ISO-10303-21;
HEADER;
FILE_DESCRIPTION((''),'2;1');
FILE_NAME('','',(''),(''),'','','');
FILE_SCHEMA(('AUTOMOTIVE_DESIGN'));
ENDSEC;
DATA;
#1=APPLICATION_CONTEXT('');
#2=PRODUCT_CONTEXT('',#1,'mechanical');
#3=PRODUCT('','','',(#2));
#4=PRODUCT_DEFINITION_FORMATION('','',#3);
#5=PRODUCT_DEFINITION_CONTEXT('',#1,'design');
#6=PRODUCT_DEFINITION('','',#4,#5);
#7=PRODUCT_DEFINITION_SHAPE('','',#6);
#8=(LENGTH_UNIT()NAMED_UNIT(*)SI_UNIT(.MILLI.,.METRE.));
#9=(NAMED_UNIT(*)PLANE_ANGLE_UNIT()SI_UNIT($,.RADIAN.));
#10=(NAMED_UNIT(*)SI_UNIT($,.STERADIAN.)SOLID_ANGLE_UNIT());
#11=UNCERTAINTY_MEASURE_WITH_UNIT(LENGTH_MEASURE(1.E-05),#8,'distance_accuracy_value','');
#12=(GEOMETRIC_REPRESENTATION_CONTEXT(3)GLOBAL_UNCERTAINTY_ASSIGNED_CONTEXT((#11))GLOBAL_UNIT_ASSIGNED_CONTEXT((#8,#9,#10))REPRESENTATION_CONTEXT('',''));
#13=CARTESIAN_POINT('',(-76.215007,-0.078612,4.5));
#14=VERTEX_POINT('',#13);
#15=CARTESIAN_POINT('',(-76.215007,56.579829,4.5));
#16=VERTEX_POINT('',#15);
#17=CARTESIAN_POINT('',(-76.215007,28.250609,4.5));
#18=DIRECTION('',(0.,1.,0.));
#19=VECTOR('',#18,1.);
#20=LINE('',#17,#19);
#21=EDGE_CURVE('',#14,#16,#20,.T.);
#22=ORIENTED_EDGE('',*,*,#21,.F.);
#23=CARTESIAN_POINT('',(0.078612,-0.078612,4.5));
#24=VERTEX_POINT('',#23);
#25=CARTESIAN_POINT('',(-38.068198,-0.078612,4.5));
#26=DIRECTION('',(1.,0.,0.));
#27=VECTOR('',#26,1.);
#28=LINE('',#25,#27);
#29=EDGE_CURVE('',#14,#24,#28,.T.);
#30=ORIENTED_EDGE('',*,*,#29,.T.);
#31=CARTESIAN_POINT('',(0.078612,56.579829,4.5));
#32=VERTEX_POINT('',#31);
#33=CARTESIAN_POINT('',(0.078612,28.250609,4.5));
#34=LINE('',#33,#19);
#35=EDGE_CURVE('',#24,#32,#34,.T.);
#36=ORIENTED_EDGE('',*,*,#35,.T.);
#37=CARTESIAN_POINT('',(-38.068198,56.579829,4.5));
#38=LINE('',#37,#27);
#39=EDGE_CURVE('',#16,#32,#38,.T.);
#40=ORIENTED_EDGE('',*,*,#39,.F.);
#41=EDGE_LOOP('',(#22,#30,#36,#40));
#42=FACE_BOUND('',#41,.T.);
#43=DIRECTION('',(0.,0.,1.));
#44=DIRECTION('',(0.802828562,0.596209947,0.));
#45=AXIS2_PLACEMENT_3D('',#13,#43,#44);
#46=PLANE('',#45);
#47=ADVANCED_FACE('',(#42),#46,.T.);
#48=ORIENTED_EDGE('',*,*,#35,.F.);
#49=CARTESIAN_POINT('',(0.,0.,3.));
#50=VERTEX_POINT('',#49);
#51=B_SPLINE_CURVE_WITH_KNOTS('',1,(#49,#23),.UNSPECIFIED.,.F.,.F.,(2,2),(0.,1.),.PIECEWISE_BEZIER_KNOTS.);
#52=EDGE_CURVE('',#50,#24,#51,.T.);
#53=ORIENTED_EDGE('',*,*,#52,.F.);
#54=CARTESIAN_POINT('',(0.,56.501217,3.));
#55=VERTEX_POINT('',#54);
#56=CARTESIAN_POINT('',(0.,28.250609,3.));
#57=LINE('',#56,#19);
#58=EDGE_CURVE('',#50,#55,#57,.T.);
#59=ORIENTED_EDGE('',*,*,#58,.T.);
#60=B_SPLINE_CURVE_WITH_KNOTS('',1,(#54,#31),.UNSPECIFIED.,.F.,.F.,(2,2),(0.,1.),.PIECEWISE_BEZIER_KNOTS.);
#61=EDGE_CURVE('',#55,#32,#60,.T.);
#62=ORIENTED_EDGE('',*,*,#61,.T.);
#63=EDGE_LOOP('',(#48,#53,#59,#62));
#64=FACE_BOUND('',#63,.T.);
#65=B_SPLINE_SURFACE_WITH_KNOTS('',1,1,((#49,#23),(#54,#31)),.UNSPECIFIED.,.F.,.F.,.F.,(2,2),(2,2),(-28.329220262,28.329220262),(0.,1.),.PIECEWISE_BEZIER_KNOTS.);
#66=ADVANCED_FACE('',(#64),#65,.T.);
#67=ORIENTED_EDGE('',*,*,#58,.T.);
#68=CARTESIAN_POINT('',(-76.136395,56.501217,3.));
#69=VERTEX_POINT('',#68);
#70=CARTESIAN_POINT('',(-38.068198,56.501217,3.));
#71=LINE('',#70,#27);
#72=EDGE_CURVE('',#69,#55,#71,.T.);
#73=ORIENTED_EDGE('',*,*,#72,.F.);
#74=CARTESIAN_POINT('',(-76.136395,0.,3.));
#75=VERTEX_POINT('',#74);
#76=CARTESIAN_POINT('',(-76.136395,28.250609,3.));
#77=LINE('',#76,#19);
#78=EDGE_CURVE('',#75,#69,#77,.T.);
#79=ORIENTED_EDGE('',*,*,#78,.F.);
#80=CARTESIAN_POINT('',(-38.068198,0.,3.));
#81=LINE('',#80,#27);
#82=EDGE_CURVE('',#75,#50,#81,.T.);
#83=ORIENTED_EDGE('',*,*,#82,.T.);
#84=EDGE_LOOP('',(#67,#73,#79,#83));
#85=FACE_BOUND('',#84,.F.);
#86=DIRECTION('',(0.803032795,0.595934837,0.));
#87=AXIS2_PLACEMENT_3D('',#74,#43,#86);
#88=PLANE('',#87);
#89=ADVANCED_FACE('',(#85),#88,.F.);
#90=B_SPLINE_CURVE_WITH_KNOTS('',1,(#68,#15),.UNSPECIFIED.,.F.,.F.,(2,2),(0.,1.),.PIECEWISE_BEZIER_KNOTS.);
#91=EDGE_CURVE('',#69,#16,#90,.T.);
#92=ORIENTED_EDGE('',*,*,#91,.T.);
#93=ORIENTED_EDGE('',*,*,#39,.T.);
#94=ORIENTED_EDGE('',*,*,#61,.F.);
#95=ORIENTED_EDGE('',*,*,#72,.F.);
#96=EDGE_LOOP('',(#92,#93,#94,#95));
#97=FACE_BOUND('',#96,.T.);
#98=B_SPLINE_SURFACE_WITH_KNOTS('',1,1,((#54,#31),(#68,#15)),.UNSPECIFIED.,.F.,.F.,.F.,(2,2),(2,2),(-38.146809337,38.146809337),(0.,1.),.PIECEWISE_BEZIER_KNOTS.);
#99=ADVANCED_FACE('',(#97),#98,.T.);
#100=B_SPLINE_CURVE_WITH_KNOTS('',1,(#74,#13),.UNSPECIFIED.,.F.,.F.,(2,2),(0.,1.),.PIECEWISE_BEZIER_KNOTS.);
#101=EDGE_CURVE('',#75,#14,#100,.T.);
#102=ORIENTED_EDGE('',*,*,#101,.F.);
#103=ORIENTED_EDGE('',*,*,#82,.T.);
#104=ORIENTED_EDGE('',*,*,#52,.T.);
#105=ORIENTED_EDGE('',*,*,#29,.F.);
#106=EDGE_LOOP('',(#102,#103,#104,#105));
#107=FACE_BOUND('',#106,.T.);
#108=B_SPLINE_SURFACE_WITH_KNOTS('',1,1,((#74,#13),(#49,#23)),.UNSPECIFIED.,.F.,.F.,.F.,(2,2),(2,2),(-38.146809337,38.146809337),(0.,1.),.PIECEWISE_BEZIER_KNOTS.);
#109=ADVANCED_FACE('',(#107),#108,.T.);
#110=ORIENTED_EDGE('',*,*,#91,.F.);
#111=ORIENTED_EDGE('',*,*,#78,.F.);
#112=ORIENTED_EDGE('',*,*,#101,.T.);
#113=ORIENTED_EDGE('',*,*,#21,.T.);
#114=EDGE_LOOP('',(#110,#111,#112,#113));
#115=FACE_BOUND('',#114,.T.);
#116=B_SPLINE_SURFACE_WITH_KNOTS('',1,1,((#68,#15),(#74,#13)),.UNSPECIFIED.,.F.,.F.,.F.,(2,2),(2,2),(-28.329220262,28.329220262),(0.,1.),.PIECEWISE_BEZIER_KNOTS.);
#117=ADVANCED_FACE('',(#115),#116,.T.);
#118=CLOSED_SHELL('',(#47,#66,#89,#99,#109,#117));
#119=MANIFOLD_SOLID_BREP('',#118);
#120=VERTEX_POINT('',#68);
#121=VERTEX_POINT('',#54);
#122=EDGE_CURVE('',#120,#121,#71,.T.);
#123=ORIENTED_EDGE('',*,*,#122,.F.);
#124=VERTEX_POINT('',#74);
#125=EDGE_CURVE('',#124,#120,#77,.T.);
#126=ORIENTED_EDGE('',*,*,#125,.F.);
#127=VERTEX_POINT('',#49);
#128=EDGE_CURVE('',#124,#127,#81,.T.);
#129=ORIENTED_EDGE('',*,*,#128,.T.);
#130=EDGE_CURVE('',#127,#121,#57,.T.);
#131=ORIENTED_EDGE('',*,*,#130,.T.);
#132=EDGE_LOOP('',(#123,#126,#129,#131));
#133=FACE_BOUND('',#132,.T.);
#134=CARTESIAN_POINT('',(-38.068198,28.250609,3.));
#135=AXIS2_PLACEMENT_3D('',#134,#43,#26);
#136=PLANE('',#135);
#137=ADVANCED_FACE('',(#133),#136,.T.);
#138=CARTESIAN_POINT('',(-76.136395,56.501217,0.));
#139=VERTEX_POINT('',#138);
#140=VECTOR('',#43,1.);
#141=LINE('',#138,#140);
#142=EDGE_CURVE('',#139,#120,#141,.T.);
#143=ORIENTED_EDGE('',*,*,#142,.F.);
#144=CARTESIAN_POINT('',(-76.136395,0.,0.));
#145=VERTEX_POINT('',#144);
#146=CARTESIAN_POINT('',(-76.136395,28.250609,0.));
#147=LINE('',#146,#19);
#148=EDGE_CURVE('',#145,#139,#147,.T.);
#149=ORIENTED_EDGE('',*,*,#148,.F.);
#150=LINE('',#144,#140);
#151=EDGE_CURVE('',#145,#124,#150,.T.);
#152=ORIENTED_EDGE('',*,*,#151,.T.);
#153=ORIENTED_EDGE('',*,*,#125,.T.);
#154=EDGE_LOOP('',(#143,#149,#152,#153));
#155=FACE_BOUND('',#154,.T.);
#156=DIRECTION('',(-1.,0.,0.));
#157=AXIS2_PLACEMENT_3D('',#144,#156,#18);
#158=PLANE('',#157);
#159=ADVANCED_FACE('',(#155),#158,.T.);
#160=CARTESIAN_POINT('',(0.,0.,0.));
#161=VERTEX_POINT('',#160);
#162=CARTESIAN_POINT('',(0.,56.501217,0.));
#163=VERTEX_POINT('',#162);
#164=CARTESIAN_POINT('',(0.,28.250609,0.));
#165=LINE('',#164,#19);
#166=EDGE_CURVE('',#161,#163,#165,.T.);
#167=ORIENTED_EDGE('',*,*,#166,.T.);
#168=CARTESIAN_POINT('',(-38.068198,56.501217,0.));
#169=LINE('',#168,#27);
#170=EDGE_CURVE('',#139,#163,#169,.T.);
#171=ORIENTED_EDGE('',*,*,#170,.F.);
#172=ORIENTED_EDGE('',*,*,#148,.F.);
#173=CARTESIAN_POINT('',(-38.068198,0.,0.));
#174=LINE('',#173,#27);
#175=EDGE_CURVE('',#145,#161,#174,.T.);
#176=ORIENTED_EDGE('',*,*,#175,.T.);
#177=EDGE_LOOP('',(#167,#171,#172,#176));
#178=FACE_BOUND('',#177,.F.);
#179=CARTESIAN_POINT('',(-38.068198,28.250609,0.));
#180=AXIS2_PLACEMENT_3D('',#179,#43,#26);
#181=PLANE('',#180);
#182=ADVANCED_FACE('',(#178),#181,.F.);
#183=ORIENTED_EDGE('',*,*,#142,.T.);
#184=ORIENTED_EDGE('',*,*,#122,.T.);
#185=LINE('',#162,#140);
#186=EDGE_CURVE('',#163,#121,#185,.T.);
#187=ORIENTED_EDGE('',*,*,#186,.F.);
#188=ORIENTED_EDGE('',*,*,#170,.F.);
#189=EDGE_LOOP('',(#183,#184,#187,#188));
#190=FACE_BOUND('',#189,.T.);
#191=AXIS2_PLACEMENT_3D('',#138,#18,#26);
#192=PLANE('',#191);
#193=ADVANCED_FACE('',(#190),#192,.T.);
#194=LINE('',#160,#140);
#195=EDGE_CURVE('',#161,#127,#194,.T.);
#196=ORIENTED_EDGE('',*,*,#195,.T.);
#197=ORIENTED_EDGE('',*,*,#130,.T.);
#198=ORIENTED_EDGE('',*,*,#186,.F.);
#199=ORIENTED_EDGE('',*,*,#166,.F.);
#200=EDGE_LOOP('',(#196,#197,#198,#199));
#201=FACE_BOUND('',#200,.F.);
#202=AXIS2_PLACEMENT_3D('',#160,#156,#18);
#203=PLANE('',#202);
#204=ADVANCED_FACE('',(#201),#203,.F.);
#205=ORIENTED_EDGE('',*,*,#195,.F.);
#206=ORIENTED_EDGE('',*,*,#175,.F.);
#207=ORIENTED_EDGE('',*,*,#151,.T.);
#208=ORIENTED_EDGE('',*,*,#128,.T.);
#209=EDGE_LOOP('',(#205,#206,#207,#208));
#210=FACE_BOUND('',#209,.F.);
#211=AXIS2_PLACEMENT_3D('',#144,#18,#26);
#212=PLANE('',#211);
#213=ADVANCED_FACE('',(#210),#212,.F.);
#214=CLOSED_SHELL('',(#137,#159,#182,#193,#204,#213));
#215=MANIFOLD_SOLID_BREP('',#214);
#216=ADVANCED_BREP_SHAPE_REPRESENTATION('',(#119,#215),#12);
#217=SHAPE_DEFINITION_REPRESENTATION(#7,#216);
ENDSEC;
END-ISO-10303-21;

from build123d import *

# Parameters (mm, degrees)
F0_W     = 76.1363953352
F0_H     = 56.5012171865
F1_DEPTH = 3
F2_W     = 76.1363953352
F2_H     = 56.5012171865
F3_DEPTH = 1.5
F3_TAPER = -3


with BuildPart() as f1:
    # F0 (on Top) → F1 (new body)
    with BuildSketch(Plane.XY):
        with Locations((-38.0681976676, 28.2506085932)):
            Rectangle(F0_W, F0_H)
    extrude(amount=F1_DEPTH)


with BuildPart() as f3:
    # F2 (on face) → F3 (new body)
    with BuildSketch(Plane.XY.offset(3)):
        with Locations((-38.0681976676, 28.2506085932)):
            Rectangle(F2_W, F2_H)
    extrude(amount=F3_DEPTH, taper=F3_TAPER)


solid = Compound([f1.part, f3.part])
